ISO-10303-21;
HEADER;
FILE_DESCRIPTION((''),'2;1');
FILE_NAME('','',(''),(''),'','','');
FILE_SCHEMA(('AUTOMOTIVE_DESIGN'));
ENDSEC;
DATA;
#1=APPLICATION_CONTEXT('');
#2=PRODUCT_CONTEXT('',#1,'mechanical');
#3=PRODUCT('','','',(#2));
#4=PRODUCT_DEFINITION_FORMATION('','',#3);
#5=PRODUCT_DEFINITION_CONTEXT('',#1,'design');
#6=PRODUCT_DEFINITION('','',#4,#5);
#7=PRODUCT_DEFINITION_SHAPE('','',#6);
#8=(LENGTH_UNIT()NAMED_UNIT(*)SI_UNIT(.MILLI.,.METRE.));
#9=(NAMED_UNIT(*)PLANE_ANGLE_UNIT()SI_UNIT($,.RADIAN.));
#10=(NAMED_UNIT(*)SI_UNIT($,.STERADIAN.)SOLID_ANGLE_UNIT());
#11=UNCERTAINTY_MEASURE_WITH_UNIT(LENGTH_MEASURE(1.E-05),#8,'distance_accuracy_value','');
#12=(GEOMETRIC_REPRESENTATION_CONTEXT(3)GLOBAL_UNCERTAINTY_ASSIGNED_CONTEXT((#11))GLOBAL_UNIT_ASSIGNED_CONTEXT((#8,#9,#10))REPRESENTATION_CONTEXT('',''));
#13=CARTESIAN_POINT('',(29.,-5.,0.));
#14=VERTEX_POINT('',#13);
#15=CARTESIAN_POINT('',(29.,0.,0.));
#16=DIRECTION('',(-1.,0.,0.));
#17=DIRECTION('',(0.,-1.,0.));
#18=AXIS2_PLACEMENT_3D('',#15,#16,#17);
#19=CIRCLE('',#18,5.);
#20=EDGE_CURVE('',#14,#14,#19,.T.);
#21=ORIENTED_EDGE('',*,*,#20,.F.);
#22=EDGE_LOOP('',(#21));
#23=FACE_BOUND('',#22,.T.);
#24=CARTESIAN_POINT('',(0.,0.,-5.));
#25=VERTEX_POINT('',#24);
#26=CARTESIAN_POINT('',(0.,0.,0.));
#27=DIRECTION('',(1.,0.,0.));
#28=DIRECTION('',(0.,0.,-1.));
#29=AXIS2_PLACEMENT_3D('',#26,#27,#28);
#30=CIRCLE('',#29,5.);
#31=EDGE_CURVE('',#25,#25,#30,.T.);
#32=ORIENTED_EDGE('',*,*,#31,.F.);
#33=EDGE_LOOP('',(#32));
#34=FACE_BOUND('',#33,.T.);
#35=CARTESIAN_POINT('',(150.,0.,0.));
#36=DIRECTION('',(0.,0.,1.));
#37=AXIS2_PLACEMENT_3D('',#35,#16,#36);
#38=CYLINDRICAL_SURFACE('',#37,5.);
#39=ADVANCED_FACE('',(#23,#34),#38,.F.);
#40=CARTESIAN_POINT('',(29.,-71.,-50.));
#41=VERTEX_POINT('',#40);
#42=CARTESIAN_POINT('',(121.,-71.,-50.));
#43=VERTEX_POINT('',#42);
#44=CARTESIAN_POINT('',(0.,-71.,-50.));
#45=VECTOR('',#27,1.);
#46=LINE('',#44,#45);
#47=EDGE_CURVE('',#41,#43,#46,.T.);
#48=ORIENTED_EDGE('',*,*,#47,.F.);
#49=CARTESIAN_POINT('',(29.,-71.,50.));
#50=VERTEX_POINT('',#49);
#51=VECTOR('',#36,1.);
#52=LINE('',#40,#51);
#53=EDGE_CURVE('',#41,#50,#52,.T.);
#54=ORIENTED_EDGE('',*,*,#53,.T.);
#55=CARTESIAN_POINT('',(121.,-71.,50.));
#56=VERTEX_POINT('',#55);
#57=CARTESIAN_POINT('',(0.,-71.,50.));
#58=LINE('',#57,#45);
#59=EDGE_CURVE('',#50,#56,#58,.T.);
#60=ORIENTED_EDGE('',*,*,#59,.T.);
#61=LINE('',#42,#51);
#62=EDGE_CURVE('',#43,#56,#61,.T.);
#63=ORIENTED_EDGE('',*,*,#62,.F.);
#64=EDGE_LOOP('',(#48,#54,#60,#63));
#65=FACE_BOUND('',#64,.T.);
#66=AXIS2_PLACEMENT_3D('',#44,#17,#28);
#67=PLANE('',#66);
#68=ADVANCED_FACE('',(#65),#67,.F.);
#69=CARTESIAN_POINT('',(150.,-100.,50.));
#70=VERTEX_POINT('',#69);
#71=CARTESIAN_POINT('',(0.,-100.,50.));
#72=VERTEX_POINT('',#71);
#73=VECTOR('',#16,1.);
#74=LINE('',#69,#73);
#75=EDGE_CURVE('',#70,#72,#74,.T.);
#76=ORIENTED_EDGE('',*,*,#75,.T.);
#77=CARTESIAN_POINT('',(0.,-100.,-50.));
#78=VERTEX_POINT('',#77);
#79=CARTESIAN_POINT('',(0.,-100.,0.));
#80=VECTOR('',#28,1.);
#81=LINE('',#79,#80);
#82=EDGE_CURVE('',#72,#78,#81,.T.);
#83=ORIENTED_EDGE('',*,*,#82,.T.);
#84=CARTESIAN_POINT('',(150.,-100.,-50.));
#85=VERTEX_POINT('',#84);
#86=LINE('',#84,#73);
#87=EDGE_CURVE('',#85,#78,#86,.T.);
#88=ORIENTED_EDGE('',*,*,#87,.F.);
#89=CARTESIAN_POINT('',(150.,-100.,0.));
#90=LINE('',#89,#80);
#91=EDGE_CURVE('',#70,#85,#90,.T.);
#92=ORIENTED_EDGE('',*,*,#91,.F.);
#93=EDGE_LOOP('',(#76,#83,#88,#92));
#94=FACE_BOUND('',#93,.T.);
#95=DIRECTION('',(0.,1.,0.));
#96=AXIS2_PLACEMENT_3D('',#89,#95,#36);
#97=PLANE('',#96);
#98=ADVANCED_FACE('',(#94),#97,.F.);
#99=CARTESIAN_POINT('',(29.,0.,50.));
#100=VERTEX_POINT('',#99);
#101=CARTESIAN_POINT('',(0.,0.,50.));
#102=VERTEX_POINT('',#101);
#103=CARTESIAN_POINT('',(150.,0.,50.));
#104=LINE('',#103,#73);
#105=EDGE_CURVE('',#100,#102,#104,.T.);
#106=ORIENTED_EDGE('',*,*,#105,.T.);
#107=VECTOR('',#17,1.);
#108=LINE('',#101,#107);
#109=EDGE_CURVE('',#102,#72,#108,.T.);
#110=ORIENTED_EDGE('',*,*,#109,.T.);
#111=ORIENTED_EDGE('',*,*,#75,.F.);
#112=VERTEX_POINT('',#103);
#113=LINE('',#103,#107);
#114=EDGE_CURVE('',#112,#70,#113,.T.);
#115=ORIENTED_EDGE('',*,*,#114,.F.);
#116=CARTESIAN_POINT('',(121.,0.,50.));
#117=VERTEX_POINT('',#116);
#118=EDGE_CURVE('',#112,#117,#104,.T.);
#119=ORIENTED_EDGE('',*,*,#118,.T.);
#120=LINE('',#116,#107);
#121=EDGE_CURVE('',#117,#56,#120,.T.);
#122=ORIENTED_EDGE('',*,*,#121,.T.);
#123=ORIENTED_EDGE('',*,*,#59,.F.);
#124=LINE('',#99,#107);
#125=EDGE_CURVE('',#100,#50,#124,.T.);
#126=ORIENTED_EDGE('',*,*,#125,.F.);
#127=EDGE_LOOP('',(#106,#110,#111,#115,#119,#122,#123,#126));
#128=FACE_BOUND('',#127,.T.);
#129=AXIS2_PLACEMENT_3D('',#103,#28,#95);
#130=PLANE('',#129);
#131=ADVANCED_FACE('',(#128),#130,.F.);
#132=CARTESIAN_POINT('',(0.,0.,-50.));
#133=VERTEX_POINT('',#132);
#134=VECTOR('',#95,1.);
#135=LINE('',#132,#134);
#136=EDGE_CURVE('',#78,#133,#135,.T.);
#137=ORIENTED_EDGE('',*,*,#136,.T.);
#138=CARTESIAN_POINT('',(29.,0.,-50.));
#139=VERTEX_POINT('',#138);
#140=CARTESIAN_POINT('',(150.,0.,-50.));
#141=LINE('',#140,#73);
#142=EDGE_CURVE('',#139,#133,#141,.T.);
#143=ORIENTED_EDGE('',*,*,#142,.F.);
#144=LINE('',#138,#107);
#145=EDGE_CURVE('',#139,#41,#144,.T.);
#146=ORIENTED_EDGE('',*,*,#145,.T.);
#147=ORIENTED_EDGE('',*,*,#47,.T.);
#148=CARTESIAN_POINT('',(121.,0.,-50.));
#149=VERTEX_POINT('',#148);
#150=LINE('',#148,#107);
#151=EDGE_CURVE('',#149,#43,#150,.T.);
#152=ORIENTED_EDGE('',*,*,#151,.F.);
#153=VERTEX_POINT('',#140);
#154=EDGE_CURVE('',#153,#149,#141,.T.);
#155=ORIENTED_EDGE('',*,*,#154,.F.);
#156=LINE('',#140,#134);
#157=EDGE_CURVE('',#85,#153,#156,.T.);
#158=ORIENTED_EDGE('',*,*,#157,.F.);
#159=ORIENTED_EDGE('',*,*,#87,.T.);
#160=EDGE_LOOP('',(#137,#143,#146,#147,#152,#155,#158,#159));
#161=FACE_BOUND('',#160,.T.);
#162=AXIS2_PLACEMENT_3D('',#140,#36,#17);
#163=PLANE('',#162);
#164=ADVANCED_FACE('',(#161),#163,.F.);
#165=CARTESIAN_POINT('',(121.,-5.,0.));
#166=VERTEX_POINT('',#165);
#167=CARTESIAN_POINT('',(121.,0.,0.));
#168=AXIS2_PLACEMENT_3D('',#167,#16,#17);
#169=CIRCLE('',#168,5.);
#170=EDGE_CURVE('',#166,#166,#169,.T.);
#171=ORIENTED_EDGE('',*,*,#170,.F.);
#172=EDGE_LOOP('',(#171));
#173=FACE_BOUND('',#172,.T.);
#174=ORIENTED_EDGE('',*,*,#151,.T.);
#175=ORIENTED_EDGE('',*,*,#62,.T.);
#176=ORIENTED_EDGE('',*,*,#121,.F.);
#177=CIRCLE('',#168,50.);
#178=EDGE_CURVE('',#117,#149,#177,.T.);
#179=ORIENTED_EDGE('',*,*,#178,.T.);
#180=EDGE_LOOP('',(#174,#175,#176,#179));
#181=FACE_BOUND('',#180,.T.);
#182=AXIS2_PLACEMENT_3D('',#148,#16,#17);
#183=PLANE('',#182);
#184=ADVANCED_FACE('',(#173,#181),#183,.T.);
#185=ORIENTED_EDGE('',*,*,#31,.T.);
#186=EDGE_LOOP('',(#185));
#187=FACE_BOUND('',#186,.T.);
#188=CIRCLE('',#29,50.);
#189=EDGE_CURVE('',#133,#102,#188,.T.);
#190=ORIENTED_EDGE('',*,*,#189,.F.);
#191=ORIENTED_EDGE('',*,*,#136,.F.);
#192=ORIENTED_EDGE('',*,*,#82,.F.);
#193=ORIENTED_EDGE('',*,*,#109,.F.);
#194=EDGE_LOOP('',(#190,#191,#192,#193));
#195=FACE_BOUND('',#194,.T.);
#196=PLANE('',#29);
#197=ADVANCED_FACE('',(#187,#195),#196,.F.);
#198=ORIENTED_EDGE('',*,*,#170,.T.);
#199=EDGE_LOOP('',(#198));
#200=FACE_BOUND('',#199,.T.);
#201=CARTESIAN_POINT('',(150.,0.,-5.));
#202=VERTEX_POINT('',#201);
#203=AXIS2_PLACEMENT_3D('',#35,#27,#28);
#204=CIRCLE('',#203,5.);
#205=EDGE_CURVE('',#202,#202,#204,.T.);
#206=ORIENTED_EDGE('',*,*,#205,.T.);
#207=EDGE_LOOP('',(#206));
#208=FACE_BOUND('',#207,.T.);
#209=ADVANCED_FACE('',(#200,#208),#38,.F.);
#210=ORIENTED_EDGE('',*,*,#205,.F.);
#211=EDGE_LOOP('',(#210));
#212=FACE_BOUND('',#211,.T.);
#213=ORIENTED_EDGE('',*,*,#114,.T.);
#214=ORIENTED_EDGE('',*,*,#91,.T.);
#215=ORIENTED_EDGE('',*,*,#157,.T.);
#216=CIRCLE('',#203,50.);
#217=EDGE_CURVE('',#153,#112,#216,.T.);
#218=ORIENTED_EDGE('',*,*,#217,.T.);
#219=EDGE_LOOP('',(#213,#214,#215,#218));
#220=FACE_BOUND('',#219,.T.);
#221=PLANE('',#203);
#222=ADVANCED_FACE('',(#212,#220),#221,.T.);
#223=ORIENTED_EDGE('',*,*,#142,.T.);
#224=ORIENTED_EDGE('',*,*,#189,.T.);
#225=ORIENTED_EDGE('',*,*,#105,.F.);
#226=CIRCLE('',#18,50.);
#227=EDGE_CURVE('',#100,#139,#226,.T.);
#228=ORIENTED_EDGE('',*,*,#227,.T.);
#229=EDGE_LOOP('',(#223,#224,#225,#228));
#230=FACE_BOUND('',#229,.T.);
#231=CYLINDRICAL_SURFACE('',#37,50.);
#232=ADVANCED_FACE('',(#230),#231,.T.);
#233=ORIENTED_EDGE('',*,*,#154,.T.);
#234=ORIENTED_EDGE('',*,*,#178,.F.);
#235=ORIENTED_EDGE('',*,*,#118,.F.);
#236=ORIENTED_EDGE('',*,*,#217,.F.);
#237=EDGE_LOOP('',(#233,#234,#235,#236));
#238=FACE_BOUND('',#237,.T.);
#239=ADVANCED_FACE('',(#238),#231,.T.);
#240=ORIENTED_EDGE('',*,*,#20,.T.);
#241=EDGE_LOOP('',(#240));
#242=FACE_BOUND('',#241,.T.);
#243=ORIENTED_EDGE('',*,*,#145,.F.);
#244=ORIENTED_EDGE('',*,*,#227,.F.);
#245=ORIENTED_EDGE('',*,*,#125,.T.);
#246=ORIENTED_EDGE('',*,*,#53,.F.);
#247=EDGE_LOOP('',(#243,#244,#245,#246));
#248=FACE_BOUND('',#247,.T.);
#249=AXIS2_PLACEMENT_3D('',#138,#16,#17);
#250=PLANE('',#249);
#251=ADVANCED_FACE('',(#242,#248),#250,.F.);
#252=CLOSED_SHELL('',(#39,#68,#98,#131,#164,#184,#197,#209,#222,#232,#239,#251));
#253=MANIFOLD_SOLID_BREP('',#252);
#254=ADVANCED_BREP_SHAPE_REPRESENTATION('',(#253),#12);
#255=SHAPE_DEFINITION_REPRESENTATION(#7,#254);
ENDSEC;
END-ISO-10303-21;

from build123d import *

# Parameters (mm, degrees)
SKIZZE1_R                       = 50
SKIZZE1_R_2                     = 5
AUFSATZ_LINEAR_AUSTRAGEN1_DEPTH = 150
SKIZZE2_W                       = 92
SKIZZE2_H                       = 50
SKIZZE2_H_2                     = 71
SCHNITT_LINEAR_AUSTRAGEN1_DEPTH = 207.155281281


with BuildPart() as part:
    # Skizze1 → Aufsatz-Linear austragen1 (new body)
    # profile 1 of 2: a face of its own
    with BuildSketch(Plane(origin=(0, 0, 0), x_dir=(0, 0, -1), z_dir=(1, 0, 0))):
        Circle(SKIZZE1_R)
        Circle(SKIZZE1_R_2, mode=Mode.SUBTRACT)
    # profile 2 of 2: a face of its own
    with BuildSketch(Plane(origin=(0, 0, 0), x_dir=(0, 0, -1), z_dir=(1, 0, 0))):
        with BuildLine():
            ThreePointArc((50, 0), (0, -50), (-50, 0))
            Line((-50, 0), (-50, -100))
            Line((-50, -100), (50, -100))
            Line((50, -100), (50, 0))
        make_face()
    extrude(amount=AUFSATZ_LINEAR_AUSTRAGEN1_DEPTH)

    # Skizze2 → Schnitt-Linear austragen1 (cut, through all)
    with BuildSketch(Plane.XY.offset(50)):
        with Locations((75, 25)):
            Rectangle(SKIZZE2_W, SKIZZE2_H)
        with Locations((75, -35.5)):
            Rectangle(SKIZZE2_W, SKIZZE2_H_2)
    extrude(amount=-SCHNITT_LINEAR_AUSTRAGEN1_DEPTH, mode=Mode.SUBTRACT)


solid = part.part
